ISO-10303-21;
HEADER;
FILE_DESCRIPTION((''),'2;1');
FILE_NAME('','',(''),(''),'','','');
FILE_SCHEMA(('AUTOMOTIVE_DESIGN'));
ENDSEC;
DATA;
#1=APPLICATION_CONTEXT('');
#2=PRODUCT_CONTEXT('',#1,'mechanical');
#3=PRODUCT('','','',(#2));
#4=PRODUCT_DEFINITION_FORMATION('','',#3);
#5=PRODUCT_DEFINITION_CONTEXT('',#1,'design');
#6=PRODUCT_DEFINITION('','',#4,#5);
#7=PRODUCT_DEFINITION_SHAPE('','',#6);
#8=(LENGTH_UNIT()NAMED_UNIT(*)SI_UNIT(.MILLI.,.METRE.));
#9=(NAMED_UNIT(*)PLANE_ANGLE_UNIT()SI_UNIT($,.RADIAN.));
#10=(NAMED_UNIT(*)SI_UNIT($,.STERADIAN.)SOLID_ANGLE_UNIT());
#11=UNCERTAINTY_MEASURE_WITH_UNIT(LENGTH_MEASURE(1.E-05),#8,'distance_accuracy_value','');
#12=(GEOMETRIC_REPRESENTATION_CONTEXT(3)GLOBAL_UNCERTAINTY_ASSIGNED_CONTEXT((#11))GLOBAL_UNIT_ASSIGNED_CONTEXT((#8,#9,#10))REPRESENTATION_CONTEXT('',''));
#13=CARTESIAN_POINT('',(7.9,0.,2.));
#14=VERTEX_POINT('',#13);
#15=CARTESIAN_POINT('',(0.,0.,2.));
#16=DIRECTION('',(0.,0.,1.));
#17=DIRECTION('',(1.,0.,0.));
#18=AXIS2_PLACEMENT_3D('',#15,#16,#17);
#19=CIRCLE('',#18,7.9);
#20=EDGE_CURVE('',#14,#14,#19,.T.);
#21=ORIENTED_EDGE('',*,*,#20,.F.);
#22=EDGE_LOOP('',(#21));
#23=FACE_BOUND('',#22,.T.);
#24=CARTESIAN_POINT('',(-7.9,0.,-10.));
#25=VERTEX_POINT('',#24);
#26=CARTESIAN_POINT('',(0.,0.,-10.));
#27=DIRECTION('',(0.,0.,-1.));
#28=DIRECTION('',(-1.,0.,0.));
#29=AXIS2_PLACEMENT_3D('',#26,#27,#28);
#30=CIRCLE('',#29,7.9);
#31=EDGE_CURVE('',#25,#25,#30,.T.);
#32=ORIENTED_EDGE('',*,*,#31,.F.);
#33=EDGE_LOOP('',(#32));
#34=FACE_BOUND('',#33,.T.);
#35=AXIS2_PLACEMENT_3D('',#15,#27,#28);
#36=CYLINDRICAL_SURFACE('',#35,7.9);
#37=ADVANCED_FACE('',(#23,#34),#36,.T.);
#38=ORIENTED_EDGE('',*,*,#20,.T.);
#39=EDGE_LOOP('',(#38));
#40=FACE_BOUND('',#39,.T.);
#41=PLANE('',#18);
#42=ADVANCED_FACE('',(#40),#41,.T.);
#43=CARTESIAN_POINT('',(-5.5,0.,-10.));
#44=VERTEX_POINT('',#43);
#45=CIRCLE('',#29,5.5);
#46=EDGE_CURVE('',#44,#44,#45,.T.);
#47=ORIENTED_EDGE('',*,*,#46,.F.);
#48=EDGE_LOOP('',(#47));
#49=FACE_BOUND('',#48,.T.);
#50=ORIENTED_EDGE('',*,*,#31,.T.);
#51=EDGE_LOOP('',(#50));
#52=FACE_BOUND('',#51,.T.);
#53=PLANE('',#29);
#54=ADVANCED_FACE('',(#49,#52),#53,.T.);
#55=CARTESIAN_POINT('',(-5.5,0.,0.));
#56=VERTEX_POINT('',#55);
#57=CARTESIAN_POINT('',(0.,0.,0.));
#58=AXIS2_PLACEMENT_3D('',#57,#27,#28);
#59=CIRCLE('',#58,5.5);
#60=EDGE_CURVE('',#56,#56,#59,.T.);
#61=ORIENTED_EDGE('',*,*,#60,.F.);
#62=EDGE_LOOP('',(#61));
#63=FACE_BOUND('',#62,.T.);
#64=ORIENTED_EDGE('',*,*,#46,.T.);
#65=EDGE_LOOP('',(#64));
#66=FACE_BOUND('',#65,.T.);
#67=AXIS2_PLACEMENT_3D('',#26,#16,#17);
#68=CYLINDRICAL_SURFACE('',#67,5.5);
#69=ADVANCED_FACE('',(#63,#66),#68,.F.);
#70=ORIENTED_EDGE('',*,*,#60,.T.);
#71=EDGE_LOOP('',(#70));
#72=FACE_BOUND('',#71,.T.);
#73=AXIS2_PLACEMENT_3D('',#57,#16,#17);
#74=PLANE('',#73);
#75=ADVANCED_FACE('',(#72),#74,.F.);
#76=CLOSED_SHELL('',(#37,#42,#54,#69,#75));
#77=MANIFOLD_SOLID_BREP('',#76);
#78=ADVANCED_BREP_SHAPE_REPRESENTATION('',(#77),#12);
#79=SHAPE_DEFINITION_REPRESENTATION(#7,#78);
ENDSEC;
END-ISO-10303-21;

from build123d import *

# Parameters (mm, degrees)
SKETCH1_R           = 7.9
SKETCH1_R_2         = 5.5
BOSS_EXTRUDE1_DEPTH = 2
SKETCH2_R           = 7.9
SKETCH2_R_2         = 5.5
BOSS_EXTRUDE2_DEPTH = 10


with BuildPart() as part:
    # Sketch1 → Boss-Extrude1 (new body)
    with BuildSketch(Plane.XY):
        Circle(SKETCH1_R)
        Circle(SKETCH1_R_2, mode=Mode.SUBTRACT)
        Circle(SKETCH1_R_2)
    extrude(amount=BOSS_EXTRUDE1_DEPTH)

    # Sketch2 → Boss-Extrude2 (add)
    with BuildSketch(Plane(origin=(0, 0, 0), x_dir=(-1, 0, 0), z_dir=(0, 0, -1))):
        Circle(SKETCH2_R)
        Circle(SKETCH2_R_2, mode=Mode.SUBTRACT)
    extrude(amount=BOSS_EXTRUDE2_DEPTH)


solid = part.part
